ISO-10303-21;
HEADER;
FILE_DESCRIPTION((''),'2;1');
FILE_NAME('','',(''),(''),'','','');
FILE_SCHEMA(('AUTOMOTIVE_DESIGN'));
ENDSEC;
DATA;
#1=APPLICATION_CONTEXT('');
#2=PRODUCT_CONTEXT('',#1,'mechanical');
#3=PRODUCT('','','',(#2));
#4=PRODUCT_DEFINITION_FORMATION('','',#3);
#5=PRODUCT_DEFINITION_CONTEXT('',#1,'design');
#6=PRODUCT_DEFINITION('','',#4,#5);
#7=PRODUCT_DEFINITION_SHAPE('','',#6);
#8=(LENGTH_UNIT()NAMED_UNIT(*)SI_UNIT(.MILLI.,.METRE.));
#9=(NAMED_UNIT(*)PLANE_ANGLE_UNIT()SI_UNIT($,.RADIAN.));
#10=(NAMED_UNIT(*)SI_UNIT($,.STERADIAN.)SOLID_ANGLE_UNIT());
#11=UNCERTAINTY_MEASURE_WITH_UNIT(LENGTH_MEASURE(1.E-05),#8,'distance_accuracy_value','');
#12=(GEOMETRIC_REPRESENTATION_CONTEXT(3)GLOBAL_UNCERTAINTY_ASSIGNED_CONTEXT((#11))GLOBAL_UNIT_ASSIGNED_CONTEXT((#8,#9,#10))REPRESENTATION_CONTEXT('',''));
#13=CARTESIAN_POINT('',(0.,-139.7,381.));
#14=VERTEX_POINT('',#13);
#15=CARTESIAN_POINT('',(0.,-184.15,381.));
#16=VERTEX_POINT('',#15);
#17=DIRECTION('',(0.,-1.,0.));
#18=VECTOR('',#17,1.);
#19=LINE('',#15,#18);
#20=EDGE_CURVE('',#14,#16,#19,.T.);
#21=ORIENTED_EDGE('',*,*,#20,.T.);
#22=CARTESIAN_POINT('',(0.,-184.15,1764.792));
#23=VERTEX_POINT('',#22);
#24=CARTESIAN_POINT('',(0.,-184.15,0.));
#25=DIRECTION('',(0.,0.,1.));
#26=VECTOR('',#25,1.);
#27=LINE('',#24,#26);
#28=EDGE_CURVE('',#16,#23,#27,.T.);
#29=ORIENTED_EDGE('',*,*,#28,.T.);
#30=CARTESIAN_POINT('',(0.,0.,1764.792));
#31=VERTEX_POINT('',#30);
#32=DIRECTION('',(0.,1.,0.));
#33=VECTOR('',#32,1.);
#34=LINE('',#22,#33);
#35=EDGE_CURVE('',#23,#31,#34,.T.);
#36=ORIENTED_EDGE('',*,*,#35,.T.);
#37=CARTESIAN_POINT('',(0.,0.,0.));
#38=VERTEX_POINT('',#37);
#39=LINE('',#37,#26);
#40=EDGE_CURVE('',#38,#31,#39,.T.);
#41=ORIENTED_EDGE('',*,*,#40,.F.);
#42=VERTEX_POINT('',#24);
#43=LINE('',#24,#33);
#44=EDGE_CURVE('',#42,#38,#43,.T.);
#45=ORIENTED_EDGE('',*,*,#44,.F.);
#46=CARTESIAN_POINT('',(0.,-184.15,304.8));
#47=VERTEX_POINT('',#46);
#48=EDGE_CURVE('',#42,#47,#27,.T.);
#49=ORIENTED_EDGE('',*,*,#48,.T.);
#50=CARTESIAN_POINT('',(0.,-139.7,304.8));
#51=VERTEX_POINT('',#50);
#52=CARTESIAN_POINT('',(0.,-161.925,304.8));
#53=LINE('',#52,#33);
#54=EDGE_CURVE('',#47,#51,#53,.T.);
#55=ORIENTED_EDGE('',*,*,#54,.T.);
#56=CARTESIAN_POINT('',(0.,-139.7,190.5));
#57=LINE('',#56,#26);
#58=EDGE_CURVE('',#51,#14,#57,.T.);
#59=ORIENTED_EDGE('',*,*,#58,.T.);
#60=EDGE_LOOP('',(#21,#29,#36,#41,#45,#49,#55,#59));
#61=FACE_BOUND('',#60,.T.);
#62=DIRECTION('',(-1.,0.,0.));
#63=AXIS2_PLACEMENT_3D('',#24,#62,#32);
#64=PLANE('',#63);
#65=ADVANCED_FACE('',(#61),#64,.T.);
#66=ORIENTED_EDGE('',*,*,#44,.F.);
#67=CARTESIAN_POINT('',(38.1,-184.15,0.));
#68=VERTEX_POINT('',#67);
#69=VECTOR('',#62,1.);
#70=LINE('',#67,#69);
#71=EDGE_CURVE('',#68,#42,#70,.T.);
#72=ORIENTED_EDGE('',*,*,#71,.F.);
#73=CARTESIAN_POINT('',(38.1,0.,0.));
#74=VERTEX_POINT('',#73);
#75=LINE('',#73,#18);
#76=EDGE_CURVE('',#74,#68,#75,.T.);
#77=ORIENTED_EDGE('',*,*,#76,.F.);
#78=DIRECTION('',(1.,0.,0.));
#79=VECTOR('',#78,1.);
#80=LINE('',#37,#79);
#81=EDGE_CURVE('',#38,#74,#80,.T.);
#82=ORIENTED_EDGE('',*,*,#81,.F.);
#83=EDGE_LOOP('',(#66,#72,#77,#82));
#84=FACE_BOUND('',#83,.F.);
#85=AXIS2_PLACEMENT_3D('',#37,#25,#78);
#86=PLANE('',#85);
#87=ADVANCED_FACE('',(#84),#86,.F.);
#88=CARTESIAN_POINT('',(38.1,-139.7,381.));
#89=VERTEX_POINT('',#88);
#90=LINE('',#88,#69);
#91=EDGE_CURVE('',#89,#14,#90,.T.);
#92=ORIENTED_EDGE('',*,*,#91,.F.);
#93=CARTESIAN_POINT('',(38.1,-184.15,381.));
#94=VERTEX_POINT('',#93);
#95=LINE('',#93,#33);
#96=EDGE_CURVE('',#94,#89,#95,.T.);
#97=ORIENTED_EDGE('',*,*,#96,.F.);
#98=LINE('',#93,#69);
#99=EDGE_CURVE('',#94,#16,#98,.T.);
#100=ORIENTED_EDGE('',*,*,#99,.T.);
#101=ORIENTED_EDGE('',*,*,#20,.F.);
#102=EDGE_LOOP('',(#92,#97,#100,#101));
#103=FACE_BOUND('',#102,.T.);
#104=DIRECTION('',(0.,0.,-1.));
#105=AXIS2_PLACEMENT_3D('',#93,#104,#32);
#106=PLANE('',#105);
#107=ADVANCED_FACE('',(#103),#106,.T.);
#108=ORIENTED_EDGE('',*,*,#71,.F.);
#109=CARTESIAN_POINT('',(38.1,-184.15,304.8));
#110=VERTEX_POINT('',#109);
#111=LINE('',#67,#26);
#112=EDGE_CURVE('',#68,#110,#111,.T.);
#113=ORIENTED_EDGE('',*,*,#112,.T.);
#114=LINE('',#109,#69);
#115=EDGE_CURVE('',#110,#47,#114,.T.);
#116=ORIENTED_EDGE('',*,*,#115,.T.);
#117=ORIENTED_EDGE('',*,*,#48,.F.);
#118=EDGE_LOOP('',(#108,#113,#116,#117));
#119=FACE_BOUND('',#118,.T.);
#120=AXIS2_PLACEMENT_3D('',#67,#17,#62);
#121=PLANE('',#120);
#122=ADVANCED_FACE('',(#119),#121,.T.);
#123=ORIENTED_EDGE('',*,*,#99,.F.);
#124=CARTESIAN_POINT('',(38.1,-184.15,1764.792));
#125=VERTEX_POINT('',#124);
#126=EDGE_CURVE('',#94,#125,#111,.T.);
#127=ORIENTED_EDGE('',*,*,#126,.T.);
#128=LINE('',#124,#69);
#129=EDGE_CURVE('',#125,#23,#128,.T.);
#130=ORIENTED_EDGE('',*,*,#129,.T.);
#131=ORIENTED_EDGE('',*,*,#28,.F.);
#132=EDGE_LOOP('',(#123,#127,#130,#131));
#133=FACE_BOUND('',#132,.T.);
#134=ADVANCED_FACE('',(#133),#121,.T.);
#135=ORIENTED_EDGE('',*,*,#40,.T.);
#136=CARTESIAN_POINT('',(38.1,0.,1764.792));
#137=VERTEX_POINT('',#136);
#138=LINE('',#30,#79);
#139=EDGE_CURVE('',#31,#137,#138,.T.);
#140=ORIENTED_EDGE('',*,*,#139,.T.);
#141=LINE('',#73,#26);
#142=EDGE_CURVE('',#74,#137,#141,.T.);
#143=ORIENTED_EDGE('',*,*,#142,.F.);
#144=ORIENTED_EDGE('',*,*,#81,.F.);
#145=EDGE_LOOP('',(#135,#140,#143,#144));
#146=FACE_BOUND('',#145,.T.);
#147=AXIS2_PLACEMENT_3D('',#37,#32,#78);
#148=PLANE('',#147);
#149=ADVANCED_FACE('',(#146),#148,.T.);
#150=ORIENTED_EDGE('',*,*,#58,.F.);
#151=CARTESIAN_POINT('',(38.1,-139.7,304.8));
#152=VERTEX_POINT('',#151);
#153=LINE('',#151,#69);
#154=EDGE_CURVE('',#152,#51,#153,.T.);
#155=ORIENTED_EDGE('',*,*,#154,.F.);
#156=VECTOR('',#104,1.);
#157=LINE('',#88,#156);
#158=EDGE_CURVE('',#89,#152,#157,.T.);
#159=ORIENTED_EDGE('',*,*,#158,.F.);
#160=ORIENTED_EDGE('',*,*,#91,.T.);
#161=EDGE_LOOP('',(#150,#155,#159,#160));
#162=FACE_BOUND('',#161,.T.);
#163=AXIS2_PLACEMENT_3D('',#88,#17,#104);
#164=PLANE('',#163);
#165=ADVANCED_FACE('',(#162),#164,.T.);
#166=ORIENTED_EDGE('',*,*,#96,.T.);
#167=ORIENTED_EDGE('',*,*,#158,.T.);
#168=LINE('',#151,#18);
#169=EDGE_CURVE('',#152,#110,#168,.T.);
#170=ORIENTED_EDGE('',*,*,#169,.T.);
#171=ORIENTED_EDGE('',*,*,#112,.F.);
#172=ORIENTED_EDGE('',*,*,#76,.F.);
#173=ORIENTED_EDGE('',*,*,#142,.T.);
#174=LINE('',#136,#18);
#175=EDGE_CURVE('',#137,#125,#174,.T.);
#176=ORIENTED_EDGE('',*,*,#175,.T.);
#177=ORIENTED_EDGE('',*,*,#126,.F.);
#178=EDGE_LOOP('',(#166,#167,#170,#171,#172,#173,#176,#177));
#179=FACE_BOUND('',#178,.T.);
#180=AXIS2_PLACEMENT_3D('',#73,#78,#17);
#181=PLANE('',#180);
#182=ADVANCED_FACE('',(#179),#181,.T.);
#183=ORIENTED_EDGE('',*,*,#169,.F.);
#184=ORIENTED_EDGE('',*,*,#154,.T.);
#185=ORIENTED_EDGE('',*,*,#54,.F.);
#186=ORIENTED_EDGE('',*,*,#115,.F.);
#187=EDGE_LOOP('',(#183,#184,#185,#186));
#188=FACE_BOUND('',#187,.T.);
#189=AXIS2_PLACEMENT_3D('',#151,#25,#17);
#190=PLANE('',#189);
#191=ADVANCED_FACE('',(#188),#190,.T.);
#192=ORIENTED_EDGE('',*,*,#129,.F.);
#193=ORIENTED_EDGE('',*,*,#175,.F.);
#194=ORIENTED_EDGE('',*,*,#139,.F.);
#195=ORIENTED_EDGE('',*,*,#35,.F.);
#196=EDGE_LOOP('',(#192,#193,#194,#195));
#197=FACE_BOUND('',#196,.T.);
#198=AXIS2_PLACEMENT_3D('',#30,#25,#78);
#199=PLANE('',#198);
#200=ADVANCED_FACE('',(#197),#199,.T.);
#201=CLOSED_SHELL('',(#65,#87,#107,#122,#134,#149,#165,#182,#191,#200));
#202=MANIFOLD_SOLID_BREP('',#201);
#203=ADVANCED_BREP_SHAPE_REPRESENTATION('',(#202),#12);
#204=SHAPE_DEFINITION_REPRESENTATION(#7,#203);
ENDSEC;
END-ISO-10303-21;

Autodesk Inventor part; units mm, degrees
ref_plane "YZ Plane" through (0, 0, 0) normal (1, 0, 0) x (0, 1, 0)
ref_plane "XZ Plane" through (0, 0, 0) normal (0, 1, 0) x (-1, 0, 0)
ref_plane "XY Plane" through (0, 0, 0) normal (0, 0, 1) x (1, 0, 0)
sketch "Sketch1" plane through (0, 0, 0) normal (0, 0, 1) x (1, 0, 0)
  line L0 (0, 0) -> (38.1, 0)
  line L1 (38.1, 0) -> (38.1, -184.15)
  line L2 (38.1, -184.15) -> (0, -184.15)
  line L3 (0, -184.15) -> (0, 0)
  dimension "d0" = 38.1
  dimension "d1" = 184.15
extrude "Extrusion1" add sketch "Sketch1" along normal blind 1764.792
sketch "Sketch2" plane through (38.1, -184.15, 0) normal (1, 0, 0) x (0, 0, -1)
  line L0 (0, 0) -> (-1764.792, 0) projected
  line L1 (-381, 0) -> (-381, 44.45)
  line L2 (-381, 44.45) -> (-304.8, 44.45)
  line L3 (-304.8, 44.45) -> (-304.8, 0)
  line L4 (0, 184.15) -> (0, 0) projected
  dimension "d4" = 44.45
  dimension "d5" = 76.2
  dimension "d6" = 304.8
extrude "Extrusion2" cut sketch "Sketch2" against normal through all
properties part number "Left End Board" material "Wood (Birch)"
